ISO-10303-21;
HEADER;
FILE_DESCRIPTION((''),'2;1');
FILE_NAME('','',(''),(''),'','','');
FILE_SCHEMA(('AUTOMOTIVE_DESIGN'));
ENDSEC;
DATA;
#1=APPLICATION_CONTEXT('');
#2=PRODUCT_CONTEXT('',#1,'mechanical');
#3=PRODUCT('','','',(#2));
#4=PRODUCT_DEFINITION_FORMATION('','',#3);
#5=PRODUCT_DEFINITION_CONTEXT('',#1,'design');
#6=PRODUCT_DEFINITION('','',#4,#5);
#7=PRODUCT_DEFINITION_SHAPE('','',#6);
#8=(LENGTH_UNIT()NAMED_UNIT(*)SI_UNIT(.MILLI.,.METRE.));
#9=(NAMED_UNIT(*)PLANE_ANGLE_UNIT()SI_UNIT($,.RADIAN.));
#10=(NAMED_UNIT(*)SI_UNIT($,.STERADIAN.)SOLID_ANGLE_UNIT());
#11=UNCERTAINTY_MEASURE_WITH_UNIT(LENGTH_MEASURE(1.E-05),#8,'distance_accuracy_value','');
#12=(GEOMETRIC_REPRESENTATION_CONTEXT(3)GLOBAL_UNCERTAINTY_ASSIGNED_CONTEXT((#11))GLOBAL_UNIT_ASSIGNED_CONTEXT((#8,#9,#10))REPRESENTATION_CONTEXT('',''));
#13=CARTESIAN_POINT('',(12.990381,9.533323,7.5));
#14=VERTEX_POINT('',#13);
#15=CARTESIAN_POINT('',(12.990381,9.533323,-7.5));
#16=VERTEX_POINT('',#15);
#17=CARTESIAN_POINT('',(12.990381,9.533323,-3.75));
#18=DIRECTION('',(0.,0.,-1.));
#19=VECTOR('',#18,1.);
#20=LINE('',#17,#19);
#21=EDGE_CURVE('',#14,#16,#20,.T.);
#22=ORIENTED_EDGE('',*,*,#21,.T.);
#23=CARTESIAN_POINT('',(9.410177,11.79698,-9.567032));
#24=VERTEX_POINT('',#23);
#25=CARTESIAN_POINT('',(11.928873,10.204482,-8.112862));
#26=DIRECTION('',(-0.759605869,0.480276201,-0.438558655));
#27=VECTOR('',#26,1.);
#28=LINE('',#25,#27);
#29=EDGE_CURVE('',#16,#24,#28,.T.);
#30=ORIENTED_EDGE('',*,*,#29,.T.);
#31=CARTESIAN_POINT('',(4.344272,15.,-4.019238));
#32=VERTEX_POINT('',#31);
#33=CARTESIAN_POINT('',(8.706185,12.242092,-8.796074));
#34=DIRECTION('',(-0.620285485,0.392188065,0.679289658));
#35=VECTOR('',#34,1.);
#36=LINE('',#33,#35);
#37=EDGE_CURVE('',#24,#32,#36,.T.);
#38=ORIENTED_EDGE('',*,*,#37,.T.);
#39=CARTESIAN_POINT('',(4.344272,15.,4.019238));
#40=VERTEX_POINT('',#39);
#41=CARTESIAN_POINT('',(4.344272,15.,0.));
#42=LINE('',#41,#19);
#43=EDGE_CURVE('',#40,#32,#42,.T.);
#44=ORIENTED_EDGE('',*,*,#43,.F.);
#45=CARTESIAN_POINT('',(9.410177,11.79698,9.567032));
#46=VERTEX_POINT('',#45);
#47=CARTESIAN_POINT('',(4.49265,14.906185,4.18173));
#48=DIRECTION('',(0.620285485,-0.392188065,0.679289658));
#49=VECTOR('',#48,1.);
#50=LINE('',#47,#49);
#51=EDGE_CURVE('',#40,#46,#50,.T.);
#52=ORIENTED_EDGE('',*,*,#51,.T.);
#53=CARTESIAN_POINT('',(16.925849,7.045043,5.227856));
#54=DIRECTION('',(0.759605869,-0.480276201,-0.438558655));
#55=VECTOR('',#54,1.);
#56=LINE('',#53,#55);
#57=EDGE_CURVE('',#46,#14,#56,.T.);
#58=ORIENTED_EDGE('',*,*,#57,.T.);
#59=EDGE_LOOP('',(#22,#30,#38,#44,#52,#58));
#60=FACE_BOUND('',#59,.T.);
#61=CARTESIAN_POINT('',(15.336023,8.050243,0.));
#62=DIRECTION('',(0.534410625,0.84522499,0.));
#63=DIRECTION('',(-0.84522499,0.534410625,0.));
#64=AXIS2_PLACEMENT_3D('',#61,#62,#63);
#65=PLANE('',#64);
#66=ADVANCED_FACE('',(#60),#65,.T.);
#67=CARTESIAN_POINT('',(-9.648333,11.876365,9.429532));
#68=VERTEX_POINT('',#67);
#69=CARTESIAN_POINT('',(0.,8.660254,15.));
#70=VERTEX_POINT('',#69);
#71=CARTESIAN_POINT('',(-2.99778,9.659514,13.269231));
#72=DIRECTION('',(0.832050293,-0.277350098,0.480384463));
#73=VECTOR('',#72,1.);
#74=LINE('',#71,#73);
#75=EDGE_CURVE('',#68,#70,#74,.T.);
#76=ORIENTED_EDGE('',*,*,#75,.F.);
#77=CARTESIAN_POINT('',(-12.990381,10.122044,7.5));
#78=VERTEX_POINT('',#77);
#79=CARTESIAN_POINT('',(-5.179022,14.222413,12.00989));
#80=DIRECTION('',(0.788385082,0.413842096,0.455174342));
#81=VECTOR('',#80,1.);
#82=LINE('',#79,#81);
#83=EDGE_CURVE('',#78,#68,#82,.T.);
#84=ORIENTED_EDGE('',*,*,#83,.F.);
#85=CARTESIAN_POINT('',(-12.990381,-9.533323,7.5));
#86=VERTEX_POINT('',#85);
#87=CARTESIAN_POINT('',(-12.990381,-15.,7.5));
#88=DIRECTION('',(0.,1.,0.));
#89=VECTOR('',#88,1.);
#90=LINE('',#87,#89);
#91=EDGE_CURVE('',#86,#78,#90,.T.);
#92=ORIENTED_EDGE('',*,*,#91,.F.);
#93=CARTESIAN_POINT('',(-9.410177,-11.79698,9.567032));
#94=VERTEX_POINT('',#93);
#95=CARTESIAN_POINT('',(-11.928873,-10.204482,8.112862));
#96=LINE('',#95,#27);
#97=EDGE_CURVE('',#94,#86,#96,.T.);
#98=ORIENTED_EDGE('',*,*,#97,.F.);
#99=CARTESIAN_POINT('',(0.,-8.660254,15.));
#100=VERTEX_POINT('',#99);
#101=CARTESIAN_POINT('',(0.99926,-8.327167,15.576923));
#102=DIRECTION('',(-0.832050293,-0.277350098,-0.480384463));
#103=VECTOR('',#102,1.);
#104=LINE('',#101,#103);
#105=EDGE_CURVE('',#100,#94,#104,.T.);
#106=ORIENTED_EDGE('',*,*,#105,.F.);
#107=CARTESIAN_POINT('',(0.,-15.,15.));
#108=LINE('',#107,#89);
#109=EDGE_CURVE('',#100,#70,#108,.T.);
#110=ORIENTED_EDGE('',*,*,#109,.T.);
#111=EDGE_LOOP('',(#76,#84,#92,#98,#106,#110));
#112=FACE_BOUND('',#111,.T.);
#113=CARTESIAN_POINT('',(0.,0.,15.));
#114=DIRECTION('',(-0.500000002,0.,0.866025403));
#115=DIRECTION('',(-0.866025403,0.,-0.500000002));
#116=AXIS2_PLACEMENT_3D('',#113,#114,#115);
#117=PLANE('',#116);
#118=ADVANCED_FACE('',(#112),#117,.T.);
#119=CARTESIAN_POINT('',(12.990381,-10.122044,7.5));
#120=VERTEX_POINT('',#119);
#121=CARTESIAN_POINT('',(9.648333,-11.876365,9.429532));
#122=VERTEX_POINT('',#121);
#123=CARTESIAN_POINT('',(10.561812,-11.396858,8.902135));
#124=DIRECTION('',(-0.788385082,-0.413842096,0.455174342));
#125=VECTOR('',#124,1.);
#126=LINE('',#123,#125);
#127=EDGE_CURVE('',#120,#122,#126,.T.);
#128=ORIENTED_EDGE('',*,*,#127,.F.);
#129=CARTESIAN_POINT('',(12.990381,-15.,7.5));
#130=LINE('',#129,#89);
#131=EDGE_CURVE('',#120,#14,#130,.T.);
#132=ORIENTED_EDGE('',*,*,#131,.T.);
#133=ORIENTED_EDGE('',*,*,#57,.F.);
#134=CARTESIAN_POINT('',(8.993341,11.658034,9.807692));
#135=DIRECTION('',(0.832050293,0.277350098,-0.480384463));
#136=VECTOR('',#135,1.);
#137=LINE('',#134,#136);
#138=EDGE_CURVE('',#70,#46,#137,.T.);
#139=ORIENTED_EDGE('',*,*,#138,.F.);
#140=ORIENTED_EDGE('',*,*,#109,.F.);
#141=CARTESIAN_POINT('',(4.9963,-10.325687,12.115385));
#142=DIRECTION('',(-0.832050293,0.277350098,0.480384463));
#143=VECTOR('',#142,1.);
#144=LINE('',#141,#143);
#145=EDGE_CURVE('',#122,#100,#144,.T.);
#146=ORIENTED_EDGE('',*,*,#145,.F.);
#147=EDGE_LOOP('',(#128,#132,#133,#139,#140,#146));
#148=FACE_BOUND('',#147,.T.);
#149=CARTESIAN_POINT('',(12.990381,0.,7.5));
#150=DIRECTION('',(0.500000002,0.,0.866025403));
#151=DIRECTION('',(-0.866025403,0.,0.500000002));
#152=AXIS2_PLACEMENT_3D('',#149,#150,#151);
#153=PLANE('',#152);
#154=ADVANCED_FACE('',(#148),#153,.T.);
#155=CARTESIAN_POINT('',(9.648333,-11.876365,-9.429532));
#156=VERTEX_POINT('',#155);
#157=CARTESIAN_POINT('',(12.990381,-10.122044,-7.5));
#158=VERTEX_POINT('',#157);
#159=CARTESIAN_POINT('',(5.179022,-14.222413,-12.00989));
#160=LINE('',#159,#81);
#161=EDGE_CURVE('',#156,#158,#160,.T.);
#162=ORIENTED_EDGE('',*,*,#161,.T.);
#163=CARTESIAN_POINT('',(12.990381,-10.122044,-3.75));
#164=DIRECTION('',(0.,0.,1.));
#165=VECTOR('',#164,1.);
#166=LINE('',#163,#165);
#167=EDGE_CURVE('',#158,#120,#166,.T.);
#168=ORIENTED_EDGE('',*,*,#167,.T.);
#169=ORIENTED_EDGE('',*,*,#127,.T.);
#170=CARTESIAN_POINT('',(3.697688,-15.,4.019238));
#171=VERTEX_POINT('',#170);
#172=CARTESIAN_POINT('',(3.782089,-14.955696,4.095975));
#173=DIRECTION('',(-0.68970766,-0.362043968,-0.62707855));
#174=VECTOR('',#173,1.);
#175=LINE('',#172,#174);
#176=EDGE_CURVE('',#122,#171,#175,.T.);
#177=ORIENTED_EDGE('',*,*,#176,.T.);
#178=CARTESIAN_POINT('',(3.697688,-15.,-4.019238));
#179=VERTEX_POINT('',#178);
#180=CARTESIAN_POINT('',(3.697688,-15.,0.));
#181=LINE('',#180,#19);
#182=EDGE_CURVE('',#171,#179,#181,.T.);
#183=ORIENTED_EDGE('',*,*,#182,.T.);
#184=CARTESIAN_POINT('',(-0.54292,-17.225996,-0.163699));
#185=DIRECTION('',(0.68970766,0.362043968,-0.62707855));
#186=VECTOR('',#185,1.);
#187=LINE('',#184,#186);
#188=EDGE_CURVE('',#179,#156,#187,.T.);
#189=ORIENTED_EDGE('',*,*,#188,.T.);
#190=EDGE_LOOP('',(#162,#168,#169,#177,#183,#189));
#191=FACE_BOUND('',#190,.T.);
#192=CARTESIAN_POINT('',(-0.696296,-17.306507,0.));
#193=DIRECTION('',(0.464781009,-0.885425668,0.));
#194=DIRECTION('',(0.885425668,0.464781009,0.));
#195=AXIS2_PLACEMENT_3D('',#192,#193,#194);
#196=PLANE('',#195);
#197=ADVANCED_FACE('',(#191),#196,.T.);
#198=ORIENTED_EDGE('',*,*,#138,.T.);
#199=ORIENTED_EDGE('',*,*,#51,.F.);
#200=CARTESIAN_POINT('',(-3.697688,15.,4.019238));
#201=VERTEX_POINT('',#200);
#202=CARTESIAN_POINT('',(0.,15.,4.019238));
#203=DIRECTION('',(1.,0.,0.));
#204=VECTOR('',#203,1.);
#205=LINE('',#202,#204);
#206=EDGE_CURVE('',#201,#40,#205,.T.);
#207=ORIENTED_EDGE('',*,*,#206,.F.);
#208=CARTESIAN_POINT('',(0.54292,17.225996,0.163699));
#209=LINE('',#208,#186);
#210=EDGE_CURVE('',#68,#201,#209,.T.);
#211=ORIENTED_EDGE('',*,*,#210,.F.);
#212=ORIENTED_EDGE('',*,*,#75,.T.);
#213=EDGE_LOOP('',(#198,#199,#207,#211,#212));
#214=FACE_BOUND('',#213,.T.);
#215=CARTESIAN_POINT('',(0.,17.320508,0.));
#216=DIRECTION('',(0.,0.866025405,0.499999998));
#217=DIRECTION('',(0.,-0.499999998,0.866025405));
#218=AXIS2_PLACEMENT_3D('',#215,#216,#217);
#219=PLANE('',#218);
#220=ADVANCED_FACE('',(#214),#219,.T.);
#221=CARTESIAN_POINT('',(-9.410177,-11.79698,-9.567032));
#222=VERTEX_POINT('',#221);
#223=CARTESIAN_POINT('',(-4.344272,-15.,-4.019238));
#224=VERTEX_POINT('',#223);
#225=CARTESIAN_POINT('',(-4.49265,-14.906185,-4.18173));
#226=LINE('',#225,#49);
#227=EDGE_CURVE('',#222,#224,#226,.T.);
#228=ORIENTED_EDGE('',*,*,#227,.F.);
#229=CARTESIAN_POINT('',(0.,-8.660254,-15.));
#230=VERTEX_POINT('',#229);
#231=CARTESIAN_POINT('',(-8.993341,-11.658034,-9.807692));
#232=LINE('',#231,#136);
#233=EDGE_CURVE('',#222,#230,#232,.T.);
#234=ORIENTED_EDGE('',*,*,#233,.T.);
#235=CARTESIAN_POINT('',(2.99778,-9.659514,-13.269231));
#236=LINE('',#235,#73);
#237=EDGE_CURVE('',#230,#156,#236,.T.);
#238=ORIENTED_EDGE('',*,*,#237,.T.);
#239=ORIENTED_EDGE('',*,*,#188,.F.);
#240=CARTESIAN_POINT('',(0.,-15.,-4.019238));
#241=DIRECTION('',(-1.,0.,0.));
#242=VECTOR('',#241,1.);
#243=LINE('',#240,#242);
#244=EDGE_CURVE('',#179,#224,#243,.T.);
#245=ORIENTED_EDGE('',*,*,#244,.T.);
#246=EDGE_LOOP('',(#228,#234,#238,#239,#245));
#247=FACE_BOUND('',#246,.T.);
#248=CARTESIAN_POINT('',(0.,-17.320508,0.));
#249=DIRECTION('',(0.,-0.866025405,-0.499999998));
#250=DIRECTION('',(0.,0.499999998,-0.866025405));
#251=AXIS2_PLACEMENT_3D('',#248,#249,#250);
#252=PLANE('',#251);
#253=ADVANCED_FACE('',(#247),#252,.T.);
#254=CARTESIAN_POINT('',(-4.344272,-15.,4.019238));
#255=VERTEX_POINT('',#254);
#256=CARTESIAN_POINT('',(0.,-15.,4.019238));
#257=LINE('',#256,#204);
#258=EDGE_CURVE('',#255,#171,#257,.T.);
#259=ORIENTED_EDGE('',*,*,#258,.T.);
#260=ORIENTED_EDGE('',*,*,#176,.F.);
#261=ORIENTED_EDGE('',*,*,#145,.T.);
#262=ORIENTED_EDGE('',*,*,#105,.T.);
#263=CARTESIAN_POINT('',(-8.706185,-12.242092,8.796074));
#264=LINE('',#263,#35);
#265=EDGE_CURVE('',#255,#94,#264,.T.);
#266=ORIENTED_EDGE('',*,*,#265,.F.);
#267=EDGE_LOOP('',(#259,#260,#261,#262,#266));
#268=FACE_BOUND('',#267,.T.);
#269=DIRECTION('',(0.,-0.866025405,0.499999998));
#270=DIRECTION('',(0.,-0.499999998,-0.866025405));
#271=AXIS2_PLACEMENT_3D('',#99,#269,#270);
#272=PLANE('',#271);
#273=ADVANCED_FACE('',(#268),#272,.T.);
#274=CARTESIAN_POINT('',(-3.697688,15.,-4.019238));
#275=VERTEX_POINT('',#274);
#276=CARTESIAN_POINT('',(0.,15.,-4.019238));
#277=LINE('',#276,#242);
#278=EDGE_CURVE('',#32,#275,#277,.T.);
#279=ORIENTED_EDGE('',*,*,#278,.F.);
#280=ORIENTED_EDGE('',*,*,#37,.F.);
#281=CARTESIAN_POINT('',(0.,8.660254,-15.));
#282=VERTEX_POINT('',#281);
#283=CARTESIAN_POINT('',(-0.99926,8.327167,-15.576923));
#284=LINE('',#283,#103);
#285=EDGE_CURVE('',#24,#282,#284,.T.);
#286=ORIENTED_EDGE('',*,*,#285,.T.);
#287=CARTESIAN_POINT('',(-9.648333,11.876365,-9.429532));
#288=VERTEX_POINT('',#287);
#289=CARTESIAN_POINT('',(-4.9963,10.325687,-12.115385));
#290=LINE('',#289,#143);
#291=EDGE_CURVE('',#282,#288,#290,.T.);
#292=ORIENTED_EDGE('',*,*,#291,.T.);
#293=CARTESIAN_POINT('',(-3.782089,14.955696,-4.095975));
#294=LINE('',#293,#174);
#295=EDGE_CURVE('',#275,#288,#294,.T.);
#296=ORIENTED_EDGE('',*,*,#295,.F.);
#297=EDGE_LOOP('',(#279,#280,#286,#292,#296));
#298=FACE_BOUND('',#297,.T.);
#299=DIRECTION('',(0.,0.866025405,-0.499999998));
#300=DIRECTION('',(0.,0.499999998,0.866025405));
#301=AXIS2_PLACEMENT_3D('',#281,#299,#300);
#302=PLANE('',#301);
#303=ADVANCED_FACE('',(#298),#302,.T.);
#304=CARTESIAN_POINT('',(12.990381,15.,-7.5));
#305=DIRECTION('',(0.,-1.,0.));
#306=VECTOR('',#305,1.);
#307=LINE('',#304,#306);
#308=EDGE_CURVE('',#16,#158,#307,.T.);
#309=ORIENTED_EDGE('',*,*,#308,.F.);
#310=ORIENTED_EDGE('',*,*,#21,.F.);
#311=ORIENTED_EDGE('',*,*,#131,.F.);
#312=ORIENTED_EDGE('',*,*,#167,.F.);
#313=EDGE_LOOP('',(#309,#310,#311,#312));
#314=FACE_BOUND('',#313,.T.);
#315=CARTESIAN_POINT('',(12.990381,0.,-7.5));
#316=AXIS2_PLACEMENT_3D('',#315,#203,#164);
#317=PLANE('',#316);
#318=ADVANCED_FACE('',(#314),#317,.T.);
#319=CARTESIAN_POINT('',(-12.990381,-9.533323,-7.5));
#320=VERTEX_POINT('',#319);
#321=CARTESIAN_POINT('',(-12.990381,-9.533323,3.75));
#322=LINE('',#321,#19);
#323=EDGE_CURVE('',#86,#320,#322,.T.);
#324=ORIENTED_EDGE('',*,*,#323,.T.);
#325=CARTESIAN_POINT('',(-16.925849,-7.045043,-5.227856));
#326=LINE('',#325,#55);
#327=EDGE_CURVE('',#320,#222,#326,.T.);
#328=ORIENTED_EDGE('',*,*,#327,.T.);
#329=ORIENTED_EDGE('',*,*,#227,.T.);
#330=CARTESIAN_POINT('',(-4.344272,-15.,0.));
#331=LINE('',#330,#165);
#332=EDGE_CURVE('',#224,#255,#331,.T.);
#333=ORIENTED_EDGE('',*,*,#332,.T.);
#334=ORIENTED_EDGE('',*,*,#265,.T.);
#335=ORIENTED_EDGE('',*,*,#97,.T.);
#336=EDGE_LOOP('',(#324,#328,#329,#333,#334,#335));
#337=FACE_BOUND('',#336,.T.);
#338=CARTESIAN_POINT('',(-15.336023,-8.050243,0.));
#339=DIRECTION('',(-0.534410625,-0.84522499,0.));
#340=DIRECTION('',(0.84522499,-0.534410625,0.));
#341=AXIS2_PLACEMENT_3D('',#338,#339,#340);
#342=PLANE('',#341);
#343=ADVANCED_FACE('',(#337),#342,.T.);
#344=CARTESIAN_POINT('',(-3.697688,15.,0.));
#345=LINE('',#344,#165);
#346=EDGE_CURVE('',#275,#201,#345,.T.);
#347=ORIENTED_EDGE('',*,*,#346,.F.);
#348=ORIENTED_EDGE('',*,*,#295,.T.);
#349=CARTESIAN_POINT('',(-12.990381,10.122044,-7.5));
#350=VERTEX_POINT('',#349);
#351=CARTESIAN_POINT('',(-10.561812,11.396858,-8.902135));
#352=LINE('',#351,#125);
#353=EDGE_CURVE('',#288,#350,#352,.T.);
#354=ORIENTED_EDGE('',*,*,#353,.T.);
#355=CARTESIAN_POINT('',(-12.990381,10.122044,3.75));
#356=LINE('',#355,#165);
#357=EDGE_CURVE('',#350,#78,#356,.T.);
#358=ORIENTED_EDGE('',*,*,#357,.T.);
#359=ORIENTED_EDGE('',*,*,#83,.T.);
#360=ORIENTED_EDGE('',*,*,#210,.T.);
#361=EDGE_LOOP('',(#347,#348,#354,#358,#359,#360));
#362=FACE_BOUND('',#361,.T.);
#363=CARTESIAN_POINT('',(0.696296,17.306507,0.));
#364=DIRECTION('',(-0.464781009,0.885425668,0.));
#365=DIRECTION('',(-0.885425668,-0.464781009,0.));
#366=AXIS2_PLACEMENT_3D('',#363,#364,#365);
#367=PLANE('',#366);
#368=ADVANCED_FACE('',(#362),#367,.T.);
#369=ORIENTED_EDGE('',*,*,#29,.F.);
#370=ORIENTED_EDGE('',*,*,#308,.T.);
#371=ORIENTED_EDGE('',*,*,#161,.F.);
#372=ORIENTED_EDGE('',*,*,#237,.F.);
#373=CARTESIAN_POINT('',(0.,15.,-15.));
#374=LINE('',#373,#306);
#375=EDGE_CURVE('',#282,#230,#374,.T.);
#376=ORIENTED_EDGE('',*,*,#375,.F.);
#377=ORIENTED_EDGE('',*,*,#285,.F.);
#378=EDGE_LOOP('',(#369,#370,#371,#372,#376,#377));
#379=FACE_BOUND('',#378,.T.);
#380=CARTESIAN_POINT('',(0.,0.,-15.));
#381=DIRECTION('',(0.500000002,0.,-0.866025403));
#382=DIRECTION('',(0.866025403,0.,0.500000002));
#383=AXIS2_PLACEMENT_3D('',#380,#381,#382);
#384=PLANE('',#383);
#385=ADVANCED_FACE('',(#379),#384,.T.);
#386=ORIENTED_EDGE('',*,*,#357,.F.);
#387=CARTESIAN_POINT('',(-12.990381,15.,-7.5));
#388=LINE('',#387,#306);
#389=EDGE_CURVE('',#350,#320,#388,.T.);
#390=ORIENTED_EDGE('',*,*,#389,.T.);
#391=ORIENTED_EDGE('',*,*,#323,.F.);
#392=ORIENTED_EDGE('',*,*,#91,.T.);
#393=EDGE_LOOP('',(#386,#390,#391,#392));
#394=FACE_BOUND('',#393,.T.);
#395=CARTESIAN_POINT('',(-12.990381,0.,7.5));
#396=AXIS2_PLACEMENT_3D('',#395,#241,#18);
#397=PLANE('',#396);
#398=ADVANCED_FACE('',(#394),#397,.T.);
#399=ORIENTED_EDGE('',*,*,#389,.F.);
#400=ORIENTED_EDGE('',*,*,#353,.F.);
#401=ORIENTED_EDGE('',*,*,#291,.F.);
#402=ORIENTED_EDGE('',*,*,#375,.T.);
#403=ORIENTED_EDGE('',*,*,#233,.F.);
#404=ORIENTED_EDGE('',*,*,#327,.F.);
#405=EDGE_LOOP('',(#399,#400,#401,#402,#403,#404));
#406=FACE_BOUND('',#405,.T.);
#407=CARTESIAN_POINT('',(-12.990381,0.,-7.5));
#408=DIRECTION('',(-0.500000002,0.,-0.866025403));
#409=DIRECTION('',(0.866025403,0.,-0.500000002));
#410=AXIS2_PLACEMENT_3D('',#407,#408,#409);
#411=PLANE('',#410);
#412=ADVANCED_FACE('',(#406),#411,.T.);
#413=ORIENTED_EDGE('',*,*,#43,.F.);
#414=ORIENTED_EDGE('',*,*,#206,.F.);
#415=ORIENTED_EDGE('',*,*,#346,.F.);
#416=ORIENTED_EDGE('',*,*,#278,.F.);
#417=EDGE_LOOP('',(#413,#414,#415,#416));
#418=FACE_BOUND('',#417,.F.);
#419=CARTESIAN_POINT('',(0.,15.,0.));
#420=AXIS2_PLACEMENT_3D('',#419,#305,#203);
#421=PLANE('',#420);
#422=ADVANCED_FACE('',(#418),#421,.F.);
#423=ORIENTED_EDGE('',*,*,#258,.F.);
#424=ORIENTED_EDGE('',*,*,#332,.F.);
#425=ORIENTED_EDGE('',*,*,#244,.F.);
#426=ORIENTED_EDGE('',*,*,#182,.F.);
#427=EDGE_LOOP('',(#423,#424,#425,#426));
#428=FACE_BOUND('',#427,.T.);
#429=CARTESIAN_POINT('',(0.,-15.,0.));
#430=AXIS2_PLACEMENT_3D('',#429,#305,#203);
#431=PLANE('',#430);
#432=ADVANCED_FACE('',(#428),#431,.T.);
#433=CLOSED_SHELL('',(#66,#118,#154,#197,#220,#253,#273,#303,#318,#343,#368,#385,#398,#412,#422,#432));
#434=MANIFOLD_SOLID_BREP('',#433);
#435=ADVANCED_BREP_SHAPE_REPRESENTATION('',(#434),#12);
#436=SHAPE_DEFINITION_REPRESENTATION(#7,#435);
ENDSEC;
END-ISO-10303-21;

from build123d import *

# Parameters (mm, degrees)
F1_DEPTH = 15
F3_DEPTH = 15
F5_DEPTH = 15


with BuildPart() as f1:
    # F0 (on Top) → F1 (new body, symmetric)
    with BuildSketch(Plane.XY):
        Polygon((14.639726, -9.256264), (15.336023, 8.050243), (0.696296, 17.306507), (-14.639726, 9.256264), (-15.336023, -8.050243), (-0.696296, -17.306507), align=None)
    extrude(amount=F1_DEPTH, both=True)

    # F2 (on Right) → F3 (intersect, symmetric)
    with BuildSketch(Plane.YZ):
        Polygon((8.660254, 15), (-8.660254, 15), (-17.320508, 0), (-8.660254, -15), (8.660254, -15), (17.320508, 0), align=None)
    extrude(amount=F3_DEPTH, both=True, mode=Mode.INTERSECT)

    # F4 (on Front) → F5 (intersect, symmetric)
    with BuildSketch(Plane.XZ):
        Polygon((-12.990381, 7.5), (-12.990381, -7.5), (0, -15), (12.990381, -7.5), (12.990381, 7.5), (0, 15), align=None)
    extrude(amount=F5_DEPTH, both=True, mode=Mode.INTERSECT)


solid = f1.part
